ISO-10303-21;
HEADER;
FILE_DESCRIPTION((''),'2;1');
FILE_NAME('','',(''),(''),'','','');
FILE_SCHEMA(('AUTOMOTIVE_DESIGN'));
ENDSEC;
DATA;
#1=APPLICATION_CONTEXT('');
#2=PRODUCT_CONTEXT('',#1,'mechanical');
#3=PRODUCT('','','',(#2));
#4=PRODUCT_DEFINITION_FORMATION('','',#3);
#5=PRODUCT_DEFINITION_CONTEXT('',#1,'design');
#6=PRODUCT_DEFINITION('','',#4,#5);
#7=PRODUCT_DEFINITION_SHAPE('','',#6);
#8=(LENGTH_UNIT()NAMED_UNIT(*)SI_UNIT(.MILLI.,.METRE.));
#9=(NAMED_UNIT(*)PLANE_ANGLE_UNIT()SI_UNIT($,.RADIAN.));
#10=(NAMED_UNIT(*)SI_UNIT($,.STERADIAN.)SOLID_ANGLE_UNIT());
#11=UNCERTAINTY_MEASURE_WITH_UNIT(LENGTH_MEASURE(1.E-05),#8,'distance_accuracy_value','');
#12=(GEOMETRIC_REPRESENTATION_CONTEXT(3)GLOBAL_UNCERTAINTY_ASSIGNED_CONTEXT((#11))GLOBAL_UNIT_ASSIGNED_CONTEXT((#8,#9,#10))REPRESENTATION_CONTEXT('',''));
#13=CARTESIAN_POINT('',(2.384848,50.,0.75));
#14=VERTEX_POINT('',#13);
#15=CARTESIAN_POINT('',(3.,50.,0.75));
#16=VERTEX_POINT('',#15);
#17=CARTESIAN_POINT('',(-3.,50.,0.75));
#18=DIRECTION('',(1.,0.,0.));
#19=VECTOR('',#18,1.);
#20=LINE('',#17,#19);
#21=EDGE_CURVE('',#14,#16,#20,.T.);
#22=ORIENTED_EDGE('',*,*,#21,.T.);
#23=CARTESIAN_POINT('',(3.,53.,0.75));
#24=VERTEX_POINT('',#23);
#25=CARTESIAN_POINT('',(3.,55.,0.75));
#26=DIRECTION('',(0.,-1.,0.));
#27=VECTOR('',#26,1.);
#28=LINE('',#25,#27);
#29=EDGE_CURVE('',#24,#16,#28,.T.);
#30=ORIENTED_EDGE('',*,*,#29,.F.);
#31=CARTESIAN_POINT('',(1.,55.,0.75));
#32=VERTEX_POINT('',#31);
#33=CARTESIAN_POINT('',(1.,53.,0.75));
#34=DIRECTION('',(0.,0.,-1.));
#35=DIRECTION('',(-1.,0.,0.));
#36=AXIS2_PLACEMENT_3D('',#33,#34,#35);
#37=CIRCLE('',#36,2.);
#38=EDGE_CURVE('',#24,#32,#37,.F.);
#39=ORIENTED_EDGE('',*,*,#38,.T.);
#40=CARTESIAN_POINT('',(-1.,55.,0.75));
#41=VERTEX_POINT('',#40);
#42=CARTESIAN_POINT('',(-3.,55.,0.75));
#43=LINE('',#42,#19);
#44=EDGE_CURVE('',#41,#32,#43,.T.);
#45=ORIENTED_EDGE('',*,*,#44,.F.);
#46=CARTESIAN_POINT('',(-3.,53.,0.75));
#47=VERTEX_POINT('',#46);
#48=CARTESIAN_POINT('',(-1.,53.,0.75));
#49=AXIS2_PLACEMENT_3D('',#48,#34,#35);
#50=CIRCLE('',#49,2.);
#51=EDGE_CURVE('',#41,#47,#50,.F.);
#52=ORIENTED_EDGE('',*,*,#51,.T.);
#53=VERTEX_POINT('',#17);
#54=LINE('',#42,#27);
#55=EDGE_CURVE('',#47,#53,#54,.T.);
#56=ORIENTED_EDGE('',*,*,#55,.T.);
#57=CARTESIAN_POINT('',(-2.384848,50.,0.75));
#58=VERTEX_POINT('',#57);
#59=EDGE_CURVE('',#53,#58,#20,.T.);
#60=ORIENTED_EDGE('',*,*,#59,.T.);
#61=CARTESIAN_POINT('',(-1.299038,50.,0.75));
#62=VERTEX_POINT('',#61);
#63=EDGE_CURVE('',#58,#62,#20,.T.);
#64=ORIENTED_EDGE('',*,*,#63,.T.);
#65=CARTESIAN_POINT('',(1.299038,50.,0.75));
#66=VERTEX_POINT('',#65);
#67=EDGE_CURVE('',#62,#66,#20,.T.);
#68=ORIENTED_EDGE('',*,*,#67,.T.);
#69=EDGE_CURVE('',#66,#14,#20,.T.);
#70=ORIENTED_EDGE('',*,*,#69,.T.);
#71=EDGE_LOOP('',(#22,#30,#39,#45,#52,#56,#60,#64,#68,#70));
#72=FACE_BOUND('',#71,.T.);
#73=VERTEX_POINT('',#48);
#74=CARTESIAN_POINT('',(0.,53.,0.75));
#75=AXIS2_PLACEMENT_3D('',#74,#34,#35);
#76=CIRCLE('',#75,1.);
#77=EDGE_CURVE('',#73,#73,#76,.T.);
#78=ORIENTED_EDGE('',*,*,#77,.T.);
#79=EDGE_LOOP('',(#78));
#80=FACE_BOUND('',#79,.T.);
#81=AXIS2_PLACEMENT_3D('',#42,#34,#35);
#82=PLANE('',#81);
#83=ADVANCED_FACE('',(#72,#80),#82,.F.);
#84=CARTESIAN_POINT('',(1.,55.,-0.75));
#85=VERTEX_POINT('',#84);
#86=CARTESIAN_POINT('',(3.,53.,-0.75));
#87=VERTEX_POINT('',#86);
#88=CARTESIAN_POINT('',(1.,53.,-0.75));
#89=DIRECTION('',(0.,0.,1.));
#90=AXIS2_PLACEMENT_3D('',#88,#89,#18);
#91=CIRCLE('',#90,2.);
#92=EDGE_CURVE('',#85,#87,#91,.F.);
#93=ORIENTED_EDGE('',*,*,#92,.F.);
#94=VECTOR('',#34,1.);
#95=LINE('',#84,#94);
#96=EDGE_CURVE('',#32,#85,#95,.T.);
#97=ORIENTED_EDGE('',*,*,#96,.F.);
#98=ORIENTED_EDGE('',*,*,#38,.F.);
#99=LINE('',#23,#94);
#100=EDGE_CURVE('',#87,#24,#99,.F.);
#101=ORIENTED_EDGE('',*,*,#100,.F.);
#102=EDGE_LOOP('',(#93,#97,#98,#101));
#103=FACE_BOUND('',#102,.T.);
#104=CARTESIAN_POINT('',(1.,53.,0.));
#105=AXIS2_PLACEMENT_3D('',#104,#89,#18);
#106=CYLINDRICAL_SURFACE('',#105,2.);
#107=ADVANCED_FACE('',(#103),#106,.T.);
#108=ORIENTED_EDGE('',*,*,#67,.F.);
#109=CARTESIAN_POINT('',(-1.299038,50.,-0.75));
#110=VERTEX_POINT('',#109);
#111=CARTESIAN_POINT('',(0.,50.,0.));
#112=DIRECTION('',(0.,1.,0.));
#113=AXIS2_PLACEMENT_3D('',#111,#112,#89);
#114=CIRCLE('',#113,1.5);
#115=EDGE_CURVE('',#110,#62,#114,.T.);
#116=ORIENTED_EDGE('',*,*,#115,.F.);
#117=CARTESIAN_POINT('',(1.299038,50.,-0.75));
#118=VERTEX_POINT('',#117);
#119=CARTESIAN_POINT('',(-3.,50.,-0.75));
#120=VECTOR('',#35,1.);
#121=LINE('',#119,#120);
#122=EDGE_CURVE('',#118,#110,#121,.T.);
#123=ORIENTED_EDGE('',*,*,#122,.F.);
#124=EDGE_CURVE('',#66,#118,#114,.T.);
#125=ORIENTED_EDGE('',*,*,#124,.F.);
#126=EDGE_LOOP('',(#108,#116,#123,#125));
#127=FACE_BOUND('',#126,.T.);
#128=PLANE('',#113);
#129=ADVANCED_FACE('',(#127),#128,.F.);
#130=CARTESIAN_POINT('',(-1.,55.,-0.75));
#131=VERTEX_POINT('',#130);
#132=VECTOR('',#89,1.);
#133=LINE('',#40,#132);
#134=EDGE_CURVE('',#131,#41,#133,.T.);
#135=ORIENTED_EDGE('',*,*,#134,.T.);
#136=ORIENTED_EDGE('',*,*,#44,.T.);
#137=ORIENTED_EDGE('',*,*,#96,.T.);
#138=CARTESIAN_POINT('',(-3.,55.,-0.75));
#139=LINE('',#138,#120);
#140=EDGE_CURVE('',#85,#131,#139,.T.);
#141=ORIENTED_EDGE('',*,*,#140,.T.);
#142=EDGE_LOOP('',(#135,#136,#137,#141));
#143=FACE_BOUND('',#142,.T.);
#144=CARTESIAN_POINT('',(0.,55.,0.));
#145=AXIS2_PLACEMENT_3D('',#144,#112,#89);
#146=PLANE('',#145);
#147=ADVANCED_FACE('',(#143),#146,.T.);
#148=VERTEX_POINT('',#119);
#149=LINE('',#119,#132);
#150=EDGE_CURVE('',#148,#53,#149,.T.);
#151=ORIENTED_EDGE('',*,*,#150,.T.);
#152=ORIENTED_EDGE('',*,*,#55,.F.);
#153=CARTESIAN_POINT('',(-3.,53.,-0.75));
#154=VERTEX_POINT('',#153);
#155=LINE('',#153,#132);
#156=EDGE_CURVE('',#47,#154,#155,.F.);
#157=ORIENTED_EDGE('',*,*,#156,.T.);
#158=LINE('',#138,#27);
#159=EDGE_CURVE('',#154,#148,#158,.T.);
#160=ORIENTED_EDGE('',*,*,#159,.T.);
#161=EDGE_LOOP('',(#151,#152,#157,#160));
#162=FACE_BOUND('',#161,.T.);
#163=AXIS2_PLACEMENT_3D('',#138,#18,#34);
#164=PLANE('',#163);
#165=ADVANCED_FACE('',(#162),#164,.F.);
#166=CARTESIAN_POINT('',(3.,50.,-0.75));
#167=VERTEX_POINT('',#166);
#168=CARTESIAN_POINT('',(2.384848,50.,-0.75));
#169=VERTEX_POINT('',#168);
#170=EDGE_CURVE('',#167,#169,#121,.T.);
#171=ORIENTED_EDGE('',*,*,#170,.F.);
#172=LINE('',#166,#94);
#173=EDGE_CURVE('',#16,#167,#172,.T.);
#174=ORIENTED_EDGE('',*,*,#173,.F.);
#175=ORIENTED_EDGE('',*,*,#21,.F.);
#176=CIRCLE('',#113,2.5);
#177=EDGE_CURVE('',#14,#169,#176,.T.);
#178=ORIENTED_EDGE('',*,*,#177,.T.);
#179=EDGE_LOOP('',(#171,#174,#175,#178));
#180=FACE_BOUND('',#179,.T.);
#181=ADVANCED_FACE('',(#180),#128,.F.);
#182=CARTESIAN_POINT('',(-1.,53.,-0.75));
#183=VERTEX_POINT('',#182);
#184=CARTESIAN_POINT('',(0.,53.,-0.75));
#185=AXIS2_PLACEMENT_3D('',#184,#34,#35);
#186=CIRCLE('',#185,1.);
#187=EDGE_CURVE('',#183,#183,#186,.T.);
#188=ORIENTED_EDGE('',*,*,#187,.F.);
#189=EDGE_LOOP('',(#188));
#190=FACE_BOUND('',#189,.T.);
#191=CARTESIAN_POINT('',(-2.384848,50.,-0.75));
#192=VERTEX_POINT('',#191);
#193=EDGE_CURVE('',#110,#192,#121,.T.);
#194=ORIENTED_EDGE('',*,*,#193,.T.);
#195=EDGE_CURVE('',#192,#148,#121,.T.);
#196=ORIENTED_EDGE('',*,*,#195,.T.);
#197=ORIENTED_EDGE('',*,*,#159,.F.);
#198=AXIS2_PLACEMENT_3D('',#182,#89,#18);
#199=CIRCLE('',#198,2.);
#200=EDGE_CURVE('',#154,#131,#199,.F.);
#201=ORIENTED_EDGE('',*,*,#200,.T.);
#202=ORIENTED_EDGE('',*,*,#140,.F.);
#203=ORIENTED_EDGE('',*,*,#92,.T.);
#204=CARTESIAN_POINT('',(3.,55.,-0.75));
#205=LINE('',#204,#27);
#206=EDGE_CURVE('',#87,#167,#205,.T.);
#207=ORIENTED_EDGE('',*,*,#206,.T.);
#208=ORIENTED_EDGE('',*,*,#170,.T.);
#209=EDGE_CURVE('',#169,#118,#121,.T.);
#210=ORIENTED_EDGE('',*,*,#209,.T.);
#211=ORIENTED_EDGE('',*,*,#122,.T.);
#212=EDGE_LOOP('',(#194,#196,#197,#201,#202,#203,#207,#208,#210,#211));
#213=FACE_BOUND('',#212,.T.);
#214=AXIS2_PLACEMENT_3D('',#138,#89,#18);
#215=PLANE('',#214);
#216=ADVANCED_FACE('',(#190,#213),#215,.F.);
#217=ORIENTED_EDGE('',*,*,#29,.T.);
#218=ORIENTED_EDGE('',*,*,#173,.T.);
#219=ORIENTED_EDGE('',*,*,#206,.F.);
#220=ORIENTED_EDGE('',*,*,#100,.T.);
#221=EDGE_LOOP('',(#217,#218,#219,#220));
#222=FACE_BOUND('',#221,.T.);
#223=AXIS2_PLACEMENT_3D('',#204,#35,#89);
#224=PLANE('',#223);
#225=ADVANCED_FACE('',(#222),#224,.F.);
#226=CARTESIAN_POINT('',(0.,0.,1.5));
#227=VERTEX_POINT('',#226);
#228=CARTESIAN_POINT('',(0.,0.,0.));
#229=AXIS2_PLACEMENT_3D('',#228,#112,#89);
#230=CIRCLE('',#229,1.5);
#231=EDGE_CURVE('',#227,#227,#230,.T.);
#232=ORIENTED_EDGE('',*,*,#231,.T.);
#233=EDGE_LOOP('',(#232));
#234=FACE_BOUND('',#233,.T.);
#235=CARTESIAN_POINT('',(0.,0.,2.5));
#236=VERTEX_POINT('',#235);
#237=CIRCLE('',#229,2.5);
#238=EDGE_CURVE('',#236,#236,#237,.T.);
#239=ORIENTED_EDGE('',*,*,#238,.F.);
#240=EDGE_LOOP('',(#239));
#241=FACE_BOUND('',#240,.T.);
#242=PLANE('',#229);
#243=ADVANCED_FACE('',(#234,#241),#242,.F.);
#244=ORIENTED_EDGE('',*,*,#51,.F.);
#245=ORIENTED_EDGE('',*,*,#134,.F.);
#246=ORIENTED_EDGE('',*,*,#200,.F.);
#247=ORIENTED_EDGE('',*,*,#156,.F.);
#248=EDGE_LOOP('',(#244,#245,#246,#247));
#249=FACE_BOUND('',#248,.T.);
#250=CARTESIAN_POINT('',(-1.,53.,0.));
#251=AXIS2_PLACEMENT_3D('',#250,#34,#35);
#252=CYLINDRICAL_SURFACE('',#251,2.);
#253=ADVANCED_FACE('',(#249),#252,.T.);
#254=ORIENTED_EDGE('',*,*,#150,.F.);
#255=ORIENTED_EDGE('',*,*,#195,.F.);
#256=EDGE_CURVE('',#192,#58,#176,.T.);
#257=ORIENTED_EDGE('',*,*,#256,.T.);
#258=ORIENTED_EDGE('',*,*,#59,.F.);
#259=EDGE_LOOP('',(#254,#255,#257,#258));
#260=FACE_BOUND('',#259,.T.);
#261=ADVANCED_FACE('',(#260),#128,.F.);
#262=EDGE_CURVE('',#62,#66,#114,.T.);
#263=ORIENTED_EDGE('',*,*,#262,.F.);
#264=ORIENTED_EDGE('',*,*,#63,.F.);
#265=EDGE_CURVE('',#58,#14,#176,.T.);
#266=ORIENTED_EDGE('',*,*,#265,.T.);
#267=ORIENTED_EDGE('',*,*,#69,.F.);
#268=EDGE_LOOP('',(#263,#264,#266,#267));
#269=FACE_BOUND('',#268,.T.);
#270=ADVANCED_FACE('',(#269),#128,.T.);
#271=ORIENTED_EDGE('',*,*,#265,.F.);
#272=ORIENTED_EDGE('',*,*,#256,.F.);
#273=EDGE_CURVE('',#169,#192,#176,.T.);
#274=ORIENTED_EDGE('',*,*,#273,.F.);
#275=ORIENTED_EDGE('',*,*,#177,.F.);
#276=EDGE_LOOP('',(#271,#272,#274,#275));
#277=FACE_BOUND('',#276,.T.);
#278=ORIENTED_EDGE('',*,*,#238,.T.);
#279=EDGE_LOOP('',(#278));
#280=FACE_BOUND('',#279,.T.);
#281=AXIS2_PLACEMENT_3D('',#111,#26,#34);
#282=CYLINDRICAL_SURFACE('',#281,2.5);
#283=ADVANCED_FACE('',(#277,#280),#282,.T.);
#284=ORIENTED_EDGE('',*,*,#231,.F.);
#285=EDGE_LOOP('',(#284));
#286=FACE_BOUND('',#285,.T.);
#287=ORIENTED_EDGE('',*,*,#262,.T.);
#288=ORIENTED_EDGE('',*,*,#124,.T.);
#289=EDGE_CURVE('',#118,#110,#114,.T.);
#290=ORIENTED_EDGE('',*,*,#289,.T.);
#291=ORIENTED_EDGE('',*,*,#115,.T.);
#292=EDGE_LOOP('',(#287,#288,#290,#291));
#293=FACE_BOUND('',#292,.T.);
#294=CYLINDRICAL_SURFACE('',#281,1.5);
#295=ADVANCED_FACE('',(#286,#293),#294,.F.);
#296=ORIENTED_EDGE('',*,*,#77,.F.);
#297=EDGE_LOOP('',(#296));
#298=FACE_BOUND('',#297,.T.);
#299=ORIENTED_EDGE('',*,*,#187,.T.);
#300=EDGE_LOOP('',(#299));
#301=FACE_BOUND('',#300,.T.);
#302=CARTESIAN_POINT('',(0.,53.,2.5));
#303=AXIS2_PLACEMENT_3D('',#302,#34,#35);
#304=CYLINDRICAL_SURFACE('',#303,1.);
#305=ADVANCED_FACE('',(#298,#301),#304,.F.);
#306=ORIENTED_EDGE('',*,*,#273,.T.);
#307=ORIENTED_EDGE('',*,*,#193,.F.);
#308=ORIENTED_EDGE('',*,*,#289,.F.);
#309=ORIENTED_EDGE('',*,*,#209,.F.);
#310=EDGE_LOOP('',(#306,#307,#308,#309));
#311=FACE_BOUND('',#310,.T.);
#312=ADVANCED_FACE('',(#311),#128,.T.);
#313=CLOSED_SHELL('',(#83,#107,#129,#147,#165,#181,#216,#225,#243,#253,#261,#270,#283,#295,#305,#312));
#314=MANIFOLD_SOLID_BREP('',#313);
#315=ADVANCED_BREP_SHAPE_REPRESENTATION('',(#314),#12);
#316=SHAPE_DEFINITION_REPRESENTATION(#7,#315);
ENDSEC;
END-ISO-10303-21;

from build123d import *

# Parameters (mm, degrees)
SKETCH1_R           = 2.5
SKETCH1_R_2         = 1.5
BOSS_EXTRUDE1_DEPTH = 50
SKETCH2_W           = 6
SKETCH2_H           = 1.5
BOSS_EXTRUDE2_DEPTH = 5
SKETCH3_R           = 1
CUT_EXTRUDE1_DEPTH  = 4.25
FILLET1_R           = 2


with BuildPart() as part:
    # Sketch1 → Boss-Extrude1 (new body)
    with BuildSketch(Plane(origin=(0, 0, 0), x_dir=(1, 0, 0), z_dir=(0, 1, 0))):
        Circle(SKETCH1_R)
        Circle(SKETCH1_R_2, mode=Mode.SUBTRACT)
    extrude(amount=BOSS_EXTRUDE1_DEPTH)

    # Sketch2 → Boss-Extrude2 (add)
    with BuildSketch(Plane(origin=(0, 50, 0), x_dir=(1, 0, 0), z_dir=(0, 1, 0))):
        Rectangle(SKETCH2_W, SKETCH2_H)
    extrude(amount=BOSS_EXTRUDE2_DEPTH)

    # Sketch3 → Cut-Extrude1 (cut, through all)
    with BuildSketch(Plane(origin=(0, 0, -0.75), x_dir=(-1, 0, 0), z_dir=(0, 0, -1))):
        with Locations((0, 53)):
            Circle(SKETCH3_R)
    extrude(amount=-CUT_EXTRUDE1_DEPTH, mode=Mode.SUBTRACT)

    # Fillet1
    fillet1_edges = [part.edges().sort_by_distance(p)[0] for p in [
        (3, 55, 0),
        (-3, 55, 0),
    ]]
    fillet(fillet1_edges, radius=FILLET1_R)


solid = part.part
